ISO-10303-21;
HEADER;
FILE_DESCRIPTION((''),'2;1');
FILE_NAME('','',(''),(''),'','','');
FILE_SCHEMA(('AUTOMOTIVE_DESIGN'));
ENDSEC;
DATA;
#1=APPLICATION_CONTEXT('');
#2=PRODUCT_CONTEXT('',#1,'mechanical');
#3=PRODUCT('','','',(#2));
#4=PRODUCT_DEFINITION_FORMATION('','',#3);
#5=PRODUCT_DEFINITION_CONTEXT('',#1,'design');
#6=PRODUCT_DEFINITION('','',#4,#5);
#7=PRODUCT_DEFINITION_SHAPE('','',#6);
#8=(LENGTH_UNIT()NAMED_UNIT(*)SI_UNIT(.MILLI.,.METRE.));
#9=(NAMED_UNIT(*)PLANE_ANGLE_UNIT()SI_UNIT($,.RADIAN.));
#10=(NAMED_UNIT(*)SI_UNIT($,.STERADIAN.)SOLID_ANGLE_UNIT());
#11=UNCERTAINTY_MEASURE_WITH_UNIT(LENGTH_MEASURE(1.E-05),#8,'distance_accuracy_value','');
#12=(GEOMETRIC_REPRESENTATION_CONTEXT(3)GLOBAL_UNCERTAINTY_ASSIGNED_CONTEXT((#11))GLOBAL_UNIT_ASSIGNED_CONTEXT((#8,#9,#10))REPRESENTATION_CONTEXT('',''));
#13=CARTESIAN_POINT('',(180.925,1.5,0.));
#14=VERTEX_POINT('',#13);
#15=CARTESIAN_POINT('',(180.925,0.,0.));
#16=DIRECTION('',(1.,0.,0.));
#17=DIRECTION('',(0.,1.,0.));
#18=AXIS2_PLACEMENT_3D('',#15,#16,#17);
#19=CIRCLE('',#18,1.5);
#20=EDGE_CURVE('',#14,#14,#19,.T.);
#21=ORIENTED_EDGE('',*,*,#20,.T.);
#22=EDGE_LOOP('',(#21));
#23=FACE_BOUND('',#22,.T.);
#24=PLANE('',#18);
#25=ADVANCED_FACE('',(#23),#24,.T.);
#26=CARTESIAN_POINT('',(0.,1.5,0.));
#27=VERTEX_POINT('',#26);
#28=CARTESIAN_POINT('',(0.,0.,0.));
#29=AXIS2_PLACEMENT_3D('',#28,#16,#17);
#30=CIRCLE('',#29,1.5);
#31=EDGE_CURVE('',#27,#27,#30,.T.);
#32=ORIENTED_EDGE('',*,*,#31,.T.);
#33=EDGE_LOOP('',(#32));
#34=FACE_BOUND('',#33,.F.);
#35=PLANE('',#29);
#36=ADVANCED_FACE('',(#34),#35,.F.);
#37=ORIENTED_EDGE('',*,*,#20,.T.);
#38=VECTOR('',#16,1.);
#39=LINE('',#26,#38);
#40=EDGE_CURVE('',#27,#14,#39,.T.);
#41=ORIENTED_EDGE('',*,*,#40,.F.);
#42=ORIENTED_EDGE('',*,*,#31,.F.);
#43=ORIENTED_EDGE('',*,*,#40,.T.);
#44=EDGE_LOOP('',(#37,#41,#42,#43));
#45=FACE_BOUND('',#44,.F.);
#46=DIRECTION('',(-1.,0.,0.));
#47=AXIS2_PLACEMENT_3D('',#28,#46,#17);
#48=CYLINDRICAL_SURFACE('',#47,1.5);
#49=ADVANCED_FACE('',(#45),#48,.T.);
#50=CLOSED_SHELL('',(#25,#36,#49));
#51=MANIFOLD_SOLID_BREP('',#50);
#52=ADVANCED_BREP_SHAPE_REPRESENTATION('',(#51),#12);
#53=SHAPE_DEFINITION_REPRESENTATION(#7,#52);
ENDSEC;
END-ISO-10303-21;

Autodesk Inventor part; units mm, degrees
ref_plane "YZ Plane" through (0, 0, 0) normal (1, 0, 0) x (0, 1, 0)
ref_plane "XZ Plane" through (0, 0, 0) normal (0, 1, 0) x (-1, 0, 0)
ref_plane "XY Plane" through (0, 0, 0) normal (0, 0, 1) x (1, 0, 0)
sketch "Sketch1" plane through (0, 0, 0) normal (1, 0, 0) x (0, 1, 0)
  circle A0 centre (0, 0) radius 1.5
  dimension "d0" = 3
extrude "Extrusion1" add sketch "Sketch1" along normal blind 180.925
thread "Thread1" size "M3x0.5" class "6g" standard "ANSI Metric M Profile" length 2.5
thread "Thread2" size "M3x0.5" class "6g" standard "ANSI Metric M Profile" length 2.5
properties part number "BarraEnLPreDoblado"
